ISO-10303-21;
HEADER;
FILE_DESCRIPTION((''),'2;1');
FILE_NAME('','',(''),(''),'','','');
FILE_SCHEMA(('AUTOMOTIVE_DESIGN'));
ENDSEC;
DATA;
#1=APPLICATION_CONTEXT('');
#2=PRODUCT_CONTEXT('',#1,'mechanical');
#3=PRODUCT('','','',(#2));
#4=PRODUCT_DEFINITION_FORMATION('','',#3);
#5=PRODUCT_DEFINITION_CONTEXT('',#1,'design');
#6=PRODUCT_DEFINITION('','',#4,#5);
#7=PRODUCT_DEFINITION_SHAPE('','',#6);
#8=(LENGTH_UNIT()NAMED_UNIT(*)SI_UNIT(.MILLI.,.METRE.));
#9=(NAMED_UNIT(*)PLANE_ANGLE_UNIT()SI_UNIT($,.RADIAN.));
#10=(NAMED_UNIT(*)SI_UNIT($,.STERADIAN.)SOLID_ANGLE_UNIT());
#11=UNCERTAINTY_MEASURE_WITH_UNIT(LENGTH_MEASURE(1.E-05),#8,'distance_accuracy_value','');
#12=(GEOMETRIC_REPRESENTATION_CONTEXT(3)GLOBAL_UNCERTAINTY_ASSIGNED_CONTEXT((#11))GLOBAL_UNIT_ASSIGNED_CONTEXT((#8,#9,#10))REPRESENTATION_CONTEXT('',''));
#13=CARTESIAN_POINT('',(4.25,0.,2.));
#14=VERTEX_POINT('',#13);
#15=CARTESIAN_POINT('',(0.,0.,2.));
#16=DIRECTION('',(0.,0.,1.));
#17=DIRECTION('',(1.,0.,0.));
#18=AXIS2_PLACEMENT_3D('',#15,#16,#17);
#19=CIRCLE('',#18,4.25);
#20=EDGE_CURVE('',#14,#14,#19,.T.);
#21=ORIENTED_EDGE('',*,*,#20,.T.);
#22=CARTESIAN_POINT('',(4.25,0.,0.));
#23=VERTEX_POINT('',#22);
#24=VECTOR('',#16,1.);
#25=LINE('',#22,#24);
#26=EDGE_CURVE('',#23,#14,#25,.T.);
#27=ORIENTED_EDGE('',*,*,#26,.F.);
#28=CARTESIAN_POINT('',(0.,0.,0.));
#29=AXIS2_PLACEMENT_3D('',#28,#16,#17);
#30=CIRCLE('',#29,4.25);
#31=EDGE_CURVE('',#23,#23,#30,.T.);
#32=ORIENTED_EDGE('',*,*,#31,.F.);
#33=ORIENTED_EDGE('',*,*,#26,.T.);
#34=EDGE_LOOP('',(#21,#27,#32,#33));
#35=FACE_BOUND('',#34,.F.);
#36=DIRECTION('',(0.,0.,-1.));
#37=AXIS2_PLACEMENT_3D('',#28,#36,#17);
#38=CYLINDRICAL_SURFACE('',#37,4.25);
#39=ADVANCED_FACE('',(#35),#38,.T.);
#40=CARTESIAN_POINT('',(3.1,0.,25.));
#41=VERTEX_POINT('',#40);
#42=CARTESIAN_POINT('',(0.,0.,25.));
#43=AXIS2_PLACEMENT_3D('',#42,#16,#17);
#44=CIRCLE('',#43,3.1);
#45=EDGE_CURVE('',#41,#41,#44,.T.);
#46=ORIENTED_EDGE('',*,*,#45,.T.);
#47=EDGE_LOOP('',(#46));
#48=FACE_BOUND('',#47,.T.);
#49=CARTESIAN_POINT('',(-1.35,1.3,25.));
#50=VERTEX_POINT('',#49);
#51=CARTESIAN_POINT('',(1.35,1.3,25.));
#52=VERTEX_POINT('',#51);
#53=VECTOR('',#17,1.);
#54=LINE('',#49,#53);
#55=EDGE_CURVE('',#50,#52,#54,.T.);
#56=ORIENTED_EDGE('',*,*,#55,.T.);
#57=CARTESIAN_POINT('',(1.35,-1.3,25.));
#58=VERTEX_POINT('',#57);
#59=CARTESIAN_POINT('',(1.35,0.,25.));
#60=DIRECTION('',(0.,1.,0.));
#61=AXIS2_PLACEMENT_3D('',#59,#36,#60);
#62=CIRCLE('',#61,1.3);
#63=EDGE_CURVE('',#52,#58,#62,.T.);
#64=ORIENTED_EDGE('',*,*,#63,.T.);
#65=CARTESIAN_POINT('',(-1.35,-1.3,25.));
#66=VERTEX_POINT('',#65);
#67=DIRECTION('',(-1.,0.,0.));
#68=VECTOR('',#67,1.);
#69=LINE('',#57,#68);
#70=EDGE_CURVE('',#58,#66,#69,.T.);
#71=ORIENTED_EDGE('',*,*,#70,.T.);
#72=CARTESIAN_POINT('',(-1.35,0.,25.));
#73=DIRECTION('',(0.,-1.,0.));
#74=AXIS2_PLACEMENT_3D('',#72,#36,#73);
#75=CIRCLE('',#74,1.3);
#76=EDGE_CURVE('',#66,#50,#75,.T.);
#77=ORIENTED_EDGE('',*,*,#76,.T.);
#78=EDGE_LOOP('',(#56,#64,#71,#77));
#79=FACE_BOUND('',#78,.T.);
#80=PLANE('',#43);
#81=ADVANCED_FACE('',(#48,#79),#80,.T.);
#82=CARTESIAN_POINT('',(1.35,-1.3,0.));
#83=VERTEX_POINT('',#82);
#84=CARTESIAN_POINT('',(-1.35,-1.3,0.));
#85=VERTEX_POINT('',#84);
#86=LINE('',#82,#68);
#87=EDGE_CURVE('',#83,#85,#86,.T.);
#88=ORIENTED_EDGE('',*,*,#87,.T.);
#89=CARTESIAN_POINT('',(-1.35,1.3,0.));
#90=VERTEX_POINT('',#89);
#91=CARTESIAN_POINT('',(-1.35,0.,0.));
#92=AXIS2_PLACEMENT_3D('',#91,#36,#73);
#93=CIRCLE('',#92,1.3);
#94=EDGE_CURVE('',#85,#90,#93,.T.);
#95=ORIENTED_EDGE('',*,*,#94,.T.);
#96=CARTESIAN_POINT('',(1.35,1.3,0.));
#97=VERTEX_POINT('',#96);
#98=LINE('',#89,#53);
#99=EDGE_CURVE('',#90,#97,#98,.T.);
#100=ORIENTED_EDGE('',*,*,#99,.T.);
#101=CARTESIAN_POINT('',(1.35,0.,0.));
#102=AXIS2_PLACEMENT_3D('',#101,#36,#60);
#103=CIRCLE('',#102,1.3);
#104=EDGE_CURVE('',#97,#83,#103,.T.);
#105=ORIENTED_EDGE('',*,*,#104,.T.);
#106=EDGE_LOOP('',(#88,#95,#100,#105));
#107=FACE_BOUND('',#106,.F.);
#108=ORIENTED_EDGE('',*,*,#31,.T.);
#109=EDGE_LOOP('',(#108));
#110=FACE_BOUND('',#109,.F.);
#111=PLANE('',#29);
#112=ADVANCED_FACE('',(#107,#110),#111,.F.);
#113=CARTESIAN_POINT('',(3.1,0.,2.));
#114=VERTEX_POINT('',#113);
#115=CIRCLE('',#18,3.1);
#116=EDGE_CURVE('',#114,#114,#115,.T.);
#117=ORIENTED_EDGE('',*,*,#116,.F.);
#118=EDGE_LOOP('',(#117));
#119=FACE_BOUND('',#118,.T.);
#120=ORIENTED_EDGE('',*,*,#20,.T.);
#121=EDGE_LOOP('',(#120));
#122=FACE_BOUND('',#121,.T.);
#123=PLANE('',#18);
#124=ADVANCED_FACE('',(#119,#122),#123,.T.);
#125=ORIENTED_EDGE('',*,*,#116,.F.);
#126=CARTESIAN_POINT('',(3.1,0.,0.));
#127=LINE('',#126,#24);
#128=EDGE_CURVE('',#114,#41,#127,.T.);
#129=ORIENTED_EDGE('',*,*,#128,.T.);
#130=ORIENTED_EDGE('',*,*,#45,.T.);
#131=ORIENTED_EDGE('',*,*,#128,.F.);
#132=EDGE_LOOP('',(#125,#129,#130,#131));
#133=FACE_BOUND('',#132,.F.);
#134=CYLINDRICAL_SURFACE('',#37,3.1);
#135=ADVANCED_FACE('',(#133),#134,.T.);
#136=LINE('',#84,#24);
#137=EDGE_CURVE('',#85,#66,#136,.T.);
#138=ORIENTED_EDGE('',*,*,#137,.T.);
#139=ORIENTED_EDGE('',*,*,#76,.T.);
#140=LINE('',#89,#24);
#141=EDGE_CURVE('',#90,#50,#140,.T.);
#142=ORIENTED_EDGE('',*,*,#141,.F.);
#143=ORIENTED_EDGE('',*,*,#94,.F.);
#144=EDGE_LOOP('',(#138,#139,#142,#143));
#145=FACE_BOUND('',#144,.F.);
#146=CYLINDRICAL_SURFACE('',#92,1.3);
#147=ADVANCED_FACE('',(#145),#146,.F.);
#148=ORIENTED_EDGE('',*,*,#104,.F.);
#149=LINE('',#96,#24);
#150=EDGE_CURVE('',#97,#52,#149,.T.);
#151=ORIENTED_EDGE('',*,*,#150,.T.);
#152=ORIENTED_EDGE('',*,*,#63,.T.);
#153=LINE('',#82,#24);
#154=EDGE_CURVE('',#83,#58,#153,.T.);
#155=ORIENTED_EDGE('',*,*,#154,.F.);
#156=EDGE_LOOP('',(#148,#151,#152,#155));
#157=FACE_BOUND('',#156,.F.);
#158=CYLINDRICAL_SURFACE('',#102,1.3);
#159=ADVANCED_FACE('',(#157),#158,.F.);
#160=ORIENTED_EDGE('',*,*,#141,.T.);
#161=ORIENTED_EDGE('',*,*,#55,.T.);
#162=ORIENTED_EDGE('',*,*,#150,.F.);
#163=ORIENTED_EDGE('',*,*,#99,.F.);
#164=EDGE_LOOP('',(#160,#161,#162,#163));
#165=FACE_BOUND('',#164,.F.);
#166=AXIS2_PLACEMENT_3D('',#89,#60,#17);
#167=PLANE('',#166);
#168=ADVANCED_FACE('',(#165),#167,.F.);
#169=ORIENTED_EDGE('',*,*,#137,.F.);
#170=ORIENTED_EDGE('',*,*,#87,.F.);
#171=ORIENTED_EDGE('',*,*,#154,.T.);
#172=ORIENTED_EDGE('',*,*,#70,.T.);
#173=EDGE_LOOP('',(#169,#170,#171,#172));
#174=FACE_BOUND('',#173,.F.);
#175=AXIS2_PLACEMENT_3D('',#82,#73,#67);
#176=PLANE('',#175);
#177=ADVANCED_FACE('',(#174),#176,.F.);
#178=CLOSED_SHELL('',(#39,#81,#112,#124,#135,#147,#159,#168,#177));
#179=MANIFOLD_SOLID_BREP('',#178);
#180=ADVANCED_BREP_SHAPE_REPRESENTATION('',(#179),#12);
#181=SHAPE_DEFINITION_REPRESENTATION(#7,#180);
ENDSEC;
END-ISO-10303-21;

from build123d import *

# Parameters (mm, degrees)
F0_R     = 4.25
F0_R_2   = 3.1
F1_DEPTH = 2
F2_DEPTH = 25


with BuildPart() as f1:
    # F0 (on Top) → F1 (new body)
    with BuildSketch(Plane.XY):
        Circle(F0_R)
        Circle(F0_R_2, mode=Mode.SUBTRACT)
    extrude(amount=F1_DEPTH)

    # F0 (on Top) → F2 (join)
    with BuildSketch(Plane.XY):
        Circle(F0_R_2)
        with BuildLine():
            Line((-1.35, 1.3), (1.35, 1.3))
            ThreePointArc((1.35, 1.3), (2.65, 0), (1.35, -1.3))
            Line((1.35, -1.3), (-1.35, -1.3))
            ThreePointArc((-1.35, -1.3), (-2.65, 0), (-1.35, 1.3))
        make_face(mode=Mode.SUBTRACT)
    extrude(amount=F2_DEPTH)


solid = f1.part
